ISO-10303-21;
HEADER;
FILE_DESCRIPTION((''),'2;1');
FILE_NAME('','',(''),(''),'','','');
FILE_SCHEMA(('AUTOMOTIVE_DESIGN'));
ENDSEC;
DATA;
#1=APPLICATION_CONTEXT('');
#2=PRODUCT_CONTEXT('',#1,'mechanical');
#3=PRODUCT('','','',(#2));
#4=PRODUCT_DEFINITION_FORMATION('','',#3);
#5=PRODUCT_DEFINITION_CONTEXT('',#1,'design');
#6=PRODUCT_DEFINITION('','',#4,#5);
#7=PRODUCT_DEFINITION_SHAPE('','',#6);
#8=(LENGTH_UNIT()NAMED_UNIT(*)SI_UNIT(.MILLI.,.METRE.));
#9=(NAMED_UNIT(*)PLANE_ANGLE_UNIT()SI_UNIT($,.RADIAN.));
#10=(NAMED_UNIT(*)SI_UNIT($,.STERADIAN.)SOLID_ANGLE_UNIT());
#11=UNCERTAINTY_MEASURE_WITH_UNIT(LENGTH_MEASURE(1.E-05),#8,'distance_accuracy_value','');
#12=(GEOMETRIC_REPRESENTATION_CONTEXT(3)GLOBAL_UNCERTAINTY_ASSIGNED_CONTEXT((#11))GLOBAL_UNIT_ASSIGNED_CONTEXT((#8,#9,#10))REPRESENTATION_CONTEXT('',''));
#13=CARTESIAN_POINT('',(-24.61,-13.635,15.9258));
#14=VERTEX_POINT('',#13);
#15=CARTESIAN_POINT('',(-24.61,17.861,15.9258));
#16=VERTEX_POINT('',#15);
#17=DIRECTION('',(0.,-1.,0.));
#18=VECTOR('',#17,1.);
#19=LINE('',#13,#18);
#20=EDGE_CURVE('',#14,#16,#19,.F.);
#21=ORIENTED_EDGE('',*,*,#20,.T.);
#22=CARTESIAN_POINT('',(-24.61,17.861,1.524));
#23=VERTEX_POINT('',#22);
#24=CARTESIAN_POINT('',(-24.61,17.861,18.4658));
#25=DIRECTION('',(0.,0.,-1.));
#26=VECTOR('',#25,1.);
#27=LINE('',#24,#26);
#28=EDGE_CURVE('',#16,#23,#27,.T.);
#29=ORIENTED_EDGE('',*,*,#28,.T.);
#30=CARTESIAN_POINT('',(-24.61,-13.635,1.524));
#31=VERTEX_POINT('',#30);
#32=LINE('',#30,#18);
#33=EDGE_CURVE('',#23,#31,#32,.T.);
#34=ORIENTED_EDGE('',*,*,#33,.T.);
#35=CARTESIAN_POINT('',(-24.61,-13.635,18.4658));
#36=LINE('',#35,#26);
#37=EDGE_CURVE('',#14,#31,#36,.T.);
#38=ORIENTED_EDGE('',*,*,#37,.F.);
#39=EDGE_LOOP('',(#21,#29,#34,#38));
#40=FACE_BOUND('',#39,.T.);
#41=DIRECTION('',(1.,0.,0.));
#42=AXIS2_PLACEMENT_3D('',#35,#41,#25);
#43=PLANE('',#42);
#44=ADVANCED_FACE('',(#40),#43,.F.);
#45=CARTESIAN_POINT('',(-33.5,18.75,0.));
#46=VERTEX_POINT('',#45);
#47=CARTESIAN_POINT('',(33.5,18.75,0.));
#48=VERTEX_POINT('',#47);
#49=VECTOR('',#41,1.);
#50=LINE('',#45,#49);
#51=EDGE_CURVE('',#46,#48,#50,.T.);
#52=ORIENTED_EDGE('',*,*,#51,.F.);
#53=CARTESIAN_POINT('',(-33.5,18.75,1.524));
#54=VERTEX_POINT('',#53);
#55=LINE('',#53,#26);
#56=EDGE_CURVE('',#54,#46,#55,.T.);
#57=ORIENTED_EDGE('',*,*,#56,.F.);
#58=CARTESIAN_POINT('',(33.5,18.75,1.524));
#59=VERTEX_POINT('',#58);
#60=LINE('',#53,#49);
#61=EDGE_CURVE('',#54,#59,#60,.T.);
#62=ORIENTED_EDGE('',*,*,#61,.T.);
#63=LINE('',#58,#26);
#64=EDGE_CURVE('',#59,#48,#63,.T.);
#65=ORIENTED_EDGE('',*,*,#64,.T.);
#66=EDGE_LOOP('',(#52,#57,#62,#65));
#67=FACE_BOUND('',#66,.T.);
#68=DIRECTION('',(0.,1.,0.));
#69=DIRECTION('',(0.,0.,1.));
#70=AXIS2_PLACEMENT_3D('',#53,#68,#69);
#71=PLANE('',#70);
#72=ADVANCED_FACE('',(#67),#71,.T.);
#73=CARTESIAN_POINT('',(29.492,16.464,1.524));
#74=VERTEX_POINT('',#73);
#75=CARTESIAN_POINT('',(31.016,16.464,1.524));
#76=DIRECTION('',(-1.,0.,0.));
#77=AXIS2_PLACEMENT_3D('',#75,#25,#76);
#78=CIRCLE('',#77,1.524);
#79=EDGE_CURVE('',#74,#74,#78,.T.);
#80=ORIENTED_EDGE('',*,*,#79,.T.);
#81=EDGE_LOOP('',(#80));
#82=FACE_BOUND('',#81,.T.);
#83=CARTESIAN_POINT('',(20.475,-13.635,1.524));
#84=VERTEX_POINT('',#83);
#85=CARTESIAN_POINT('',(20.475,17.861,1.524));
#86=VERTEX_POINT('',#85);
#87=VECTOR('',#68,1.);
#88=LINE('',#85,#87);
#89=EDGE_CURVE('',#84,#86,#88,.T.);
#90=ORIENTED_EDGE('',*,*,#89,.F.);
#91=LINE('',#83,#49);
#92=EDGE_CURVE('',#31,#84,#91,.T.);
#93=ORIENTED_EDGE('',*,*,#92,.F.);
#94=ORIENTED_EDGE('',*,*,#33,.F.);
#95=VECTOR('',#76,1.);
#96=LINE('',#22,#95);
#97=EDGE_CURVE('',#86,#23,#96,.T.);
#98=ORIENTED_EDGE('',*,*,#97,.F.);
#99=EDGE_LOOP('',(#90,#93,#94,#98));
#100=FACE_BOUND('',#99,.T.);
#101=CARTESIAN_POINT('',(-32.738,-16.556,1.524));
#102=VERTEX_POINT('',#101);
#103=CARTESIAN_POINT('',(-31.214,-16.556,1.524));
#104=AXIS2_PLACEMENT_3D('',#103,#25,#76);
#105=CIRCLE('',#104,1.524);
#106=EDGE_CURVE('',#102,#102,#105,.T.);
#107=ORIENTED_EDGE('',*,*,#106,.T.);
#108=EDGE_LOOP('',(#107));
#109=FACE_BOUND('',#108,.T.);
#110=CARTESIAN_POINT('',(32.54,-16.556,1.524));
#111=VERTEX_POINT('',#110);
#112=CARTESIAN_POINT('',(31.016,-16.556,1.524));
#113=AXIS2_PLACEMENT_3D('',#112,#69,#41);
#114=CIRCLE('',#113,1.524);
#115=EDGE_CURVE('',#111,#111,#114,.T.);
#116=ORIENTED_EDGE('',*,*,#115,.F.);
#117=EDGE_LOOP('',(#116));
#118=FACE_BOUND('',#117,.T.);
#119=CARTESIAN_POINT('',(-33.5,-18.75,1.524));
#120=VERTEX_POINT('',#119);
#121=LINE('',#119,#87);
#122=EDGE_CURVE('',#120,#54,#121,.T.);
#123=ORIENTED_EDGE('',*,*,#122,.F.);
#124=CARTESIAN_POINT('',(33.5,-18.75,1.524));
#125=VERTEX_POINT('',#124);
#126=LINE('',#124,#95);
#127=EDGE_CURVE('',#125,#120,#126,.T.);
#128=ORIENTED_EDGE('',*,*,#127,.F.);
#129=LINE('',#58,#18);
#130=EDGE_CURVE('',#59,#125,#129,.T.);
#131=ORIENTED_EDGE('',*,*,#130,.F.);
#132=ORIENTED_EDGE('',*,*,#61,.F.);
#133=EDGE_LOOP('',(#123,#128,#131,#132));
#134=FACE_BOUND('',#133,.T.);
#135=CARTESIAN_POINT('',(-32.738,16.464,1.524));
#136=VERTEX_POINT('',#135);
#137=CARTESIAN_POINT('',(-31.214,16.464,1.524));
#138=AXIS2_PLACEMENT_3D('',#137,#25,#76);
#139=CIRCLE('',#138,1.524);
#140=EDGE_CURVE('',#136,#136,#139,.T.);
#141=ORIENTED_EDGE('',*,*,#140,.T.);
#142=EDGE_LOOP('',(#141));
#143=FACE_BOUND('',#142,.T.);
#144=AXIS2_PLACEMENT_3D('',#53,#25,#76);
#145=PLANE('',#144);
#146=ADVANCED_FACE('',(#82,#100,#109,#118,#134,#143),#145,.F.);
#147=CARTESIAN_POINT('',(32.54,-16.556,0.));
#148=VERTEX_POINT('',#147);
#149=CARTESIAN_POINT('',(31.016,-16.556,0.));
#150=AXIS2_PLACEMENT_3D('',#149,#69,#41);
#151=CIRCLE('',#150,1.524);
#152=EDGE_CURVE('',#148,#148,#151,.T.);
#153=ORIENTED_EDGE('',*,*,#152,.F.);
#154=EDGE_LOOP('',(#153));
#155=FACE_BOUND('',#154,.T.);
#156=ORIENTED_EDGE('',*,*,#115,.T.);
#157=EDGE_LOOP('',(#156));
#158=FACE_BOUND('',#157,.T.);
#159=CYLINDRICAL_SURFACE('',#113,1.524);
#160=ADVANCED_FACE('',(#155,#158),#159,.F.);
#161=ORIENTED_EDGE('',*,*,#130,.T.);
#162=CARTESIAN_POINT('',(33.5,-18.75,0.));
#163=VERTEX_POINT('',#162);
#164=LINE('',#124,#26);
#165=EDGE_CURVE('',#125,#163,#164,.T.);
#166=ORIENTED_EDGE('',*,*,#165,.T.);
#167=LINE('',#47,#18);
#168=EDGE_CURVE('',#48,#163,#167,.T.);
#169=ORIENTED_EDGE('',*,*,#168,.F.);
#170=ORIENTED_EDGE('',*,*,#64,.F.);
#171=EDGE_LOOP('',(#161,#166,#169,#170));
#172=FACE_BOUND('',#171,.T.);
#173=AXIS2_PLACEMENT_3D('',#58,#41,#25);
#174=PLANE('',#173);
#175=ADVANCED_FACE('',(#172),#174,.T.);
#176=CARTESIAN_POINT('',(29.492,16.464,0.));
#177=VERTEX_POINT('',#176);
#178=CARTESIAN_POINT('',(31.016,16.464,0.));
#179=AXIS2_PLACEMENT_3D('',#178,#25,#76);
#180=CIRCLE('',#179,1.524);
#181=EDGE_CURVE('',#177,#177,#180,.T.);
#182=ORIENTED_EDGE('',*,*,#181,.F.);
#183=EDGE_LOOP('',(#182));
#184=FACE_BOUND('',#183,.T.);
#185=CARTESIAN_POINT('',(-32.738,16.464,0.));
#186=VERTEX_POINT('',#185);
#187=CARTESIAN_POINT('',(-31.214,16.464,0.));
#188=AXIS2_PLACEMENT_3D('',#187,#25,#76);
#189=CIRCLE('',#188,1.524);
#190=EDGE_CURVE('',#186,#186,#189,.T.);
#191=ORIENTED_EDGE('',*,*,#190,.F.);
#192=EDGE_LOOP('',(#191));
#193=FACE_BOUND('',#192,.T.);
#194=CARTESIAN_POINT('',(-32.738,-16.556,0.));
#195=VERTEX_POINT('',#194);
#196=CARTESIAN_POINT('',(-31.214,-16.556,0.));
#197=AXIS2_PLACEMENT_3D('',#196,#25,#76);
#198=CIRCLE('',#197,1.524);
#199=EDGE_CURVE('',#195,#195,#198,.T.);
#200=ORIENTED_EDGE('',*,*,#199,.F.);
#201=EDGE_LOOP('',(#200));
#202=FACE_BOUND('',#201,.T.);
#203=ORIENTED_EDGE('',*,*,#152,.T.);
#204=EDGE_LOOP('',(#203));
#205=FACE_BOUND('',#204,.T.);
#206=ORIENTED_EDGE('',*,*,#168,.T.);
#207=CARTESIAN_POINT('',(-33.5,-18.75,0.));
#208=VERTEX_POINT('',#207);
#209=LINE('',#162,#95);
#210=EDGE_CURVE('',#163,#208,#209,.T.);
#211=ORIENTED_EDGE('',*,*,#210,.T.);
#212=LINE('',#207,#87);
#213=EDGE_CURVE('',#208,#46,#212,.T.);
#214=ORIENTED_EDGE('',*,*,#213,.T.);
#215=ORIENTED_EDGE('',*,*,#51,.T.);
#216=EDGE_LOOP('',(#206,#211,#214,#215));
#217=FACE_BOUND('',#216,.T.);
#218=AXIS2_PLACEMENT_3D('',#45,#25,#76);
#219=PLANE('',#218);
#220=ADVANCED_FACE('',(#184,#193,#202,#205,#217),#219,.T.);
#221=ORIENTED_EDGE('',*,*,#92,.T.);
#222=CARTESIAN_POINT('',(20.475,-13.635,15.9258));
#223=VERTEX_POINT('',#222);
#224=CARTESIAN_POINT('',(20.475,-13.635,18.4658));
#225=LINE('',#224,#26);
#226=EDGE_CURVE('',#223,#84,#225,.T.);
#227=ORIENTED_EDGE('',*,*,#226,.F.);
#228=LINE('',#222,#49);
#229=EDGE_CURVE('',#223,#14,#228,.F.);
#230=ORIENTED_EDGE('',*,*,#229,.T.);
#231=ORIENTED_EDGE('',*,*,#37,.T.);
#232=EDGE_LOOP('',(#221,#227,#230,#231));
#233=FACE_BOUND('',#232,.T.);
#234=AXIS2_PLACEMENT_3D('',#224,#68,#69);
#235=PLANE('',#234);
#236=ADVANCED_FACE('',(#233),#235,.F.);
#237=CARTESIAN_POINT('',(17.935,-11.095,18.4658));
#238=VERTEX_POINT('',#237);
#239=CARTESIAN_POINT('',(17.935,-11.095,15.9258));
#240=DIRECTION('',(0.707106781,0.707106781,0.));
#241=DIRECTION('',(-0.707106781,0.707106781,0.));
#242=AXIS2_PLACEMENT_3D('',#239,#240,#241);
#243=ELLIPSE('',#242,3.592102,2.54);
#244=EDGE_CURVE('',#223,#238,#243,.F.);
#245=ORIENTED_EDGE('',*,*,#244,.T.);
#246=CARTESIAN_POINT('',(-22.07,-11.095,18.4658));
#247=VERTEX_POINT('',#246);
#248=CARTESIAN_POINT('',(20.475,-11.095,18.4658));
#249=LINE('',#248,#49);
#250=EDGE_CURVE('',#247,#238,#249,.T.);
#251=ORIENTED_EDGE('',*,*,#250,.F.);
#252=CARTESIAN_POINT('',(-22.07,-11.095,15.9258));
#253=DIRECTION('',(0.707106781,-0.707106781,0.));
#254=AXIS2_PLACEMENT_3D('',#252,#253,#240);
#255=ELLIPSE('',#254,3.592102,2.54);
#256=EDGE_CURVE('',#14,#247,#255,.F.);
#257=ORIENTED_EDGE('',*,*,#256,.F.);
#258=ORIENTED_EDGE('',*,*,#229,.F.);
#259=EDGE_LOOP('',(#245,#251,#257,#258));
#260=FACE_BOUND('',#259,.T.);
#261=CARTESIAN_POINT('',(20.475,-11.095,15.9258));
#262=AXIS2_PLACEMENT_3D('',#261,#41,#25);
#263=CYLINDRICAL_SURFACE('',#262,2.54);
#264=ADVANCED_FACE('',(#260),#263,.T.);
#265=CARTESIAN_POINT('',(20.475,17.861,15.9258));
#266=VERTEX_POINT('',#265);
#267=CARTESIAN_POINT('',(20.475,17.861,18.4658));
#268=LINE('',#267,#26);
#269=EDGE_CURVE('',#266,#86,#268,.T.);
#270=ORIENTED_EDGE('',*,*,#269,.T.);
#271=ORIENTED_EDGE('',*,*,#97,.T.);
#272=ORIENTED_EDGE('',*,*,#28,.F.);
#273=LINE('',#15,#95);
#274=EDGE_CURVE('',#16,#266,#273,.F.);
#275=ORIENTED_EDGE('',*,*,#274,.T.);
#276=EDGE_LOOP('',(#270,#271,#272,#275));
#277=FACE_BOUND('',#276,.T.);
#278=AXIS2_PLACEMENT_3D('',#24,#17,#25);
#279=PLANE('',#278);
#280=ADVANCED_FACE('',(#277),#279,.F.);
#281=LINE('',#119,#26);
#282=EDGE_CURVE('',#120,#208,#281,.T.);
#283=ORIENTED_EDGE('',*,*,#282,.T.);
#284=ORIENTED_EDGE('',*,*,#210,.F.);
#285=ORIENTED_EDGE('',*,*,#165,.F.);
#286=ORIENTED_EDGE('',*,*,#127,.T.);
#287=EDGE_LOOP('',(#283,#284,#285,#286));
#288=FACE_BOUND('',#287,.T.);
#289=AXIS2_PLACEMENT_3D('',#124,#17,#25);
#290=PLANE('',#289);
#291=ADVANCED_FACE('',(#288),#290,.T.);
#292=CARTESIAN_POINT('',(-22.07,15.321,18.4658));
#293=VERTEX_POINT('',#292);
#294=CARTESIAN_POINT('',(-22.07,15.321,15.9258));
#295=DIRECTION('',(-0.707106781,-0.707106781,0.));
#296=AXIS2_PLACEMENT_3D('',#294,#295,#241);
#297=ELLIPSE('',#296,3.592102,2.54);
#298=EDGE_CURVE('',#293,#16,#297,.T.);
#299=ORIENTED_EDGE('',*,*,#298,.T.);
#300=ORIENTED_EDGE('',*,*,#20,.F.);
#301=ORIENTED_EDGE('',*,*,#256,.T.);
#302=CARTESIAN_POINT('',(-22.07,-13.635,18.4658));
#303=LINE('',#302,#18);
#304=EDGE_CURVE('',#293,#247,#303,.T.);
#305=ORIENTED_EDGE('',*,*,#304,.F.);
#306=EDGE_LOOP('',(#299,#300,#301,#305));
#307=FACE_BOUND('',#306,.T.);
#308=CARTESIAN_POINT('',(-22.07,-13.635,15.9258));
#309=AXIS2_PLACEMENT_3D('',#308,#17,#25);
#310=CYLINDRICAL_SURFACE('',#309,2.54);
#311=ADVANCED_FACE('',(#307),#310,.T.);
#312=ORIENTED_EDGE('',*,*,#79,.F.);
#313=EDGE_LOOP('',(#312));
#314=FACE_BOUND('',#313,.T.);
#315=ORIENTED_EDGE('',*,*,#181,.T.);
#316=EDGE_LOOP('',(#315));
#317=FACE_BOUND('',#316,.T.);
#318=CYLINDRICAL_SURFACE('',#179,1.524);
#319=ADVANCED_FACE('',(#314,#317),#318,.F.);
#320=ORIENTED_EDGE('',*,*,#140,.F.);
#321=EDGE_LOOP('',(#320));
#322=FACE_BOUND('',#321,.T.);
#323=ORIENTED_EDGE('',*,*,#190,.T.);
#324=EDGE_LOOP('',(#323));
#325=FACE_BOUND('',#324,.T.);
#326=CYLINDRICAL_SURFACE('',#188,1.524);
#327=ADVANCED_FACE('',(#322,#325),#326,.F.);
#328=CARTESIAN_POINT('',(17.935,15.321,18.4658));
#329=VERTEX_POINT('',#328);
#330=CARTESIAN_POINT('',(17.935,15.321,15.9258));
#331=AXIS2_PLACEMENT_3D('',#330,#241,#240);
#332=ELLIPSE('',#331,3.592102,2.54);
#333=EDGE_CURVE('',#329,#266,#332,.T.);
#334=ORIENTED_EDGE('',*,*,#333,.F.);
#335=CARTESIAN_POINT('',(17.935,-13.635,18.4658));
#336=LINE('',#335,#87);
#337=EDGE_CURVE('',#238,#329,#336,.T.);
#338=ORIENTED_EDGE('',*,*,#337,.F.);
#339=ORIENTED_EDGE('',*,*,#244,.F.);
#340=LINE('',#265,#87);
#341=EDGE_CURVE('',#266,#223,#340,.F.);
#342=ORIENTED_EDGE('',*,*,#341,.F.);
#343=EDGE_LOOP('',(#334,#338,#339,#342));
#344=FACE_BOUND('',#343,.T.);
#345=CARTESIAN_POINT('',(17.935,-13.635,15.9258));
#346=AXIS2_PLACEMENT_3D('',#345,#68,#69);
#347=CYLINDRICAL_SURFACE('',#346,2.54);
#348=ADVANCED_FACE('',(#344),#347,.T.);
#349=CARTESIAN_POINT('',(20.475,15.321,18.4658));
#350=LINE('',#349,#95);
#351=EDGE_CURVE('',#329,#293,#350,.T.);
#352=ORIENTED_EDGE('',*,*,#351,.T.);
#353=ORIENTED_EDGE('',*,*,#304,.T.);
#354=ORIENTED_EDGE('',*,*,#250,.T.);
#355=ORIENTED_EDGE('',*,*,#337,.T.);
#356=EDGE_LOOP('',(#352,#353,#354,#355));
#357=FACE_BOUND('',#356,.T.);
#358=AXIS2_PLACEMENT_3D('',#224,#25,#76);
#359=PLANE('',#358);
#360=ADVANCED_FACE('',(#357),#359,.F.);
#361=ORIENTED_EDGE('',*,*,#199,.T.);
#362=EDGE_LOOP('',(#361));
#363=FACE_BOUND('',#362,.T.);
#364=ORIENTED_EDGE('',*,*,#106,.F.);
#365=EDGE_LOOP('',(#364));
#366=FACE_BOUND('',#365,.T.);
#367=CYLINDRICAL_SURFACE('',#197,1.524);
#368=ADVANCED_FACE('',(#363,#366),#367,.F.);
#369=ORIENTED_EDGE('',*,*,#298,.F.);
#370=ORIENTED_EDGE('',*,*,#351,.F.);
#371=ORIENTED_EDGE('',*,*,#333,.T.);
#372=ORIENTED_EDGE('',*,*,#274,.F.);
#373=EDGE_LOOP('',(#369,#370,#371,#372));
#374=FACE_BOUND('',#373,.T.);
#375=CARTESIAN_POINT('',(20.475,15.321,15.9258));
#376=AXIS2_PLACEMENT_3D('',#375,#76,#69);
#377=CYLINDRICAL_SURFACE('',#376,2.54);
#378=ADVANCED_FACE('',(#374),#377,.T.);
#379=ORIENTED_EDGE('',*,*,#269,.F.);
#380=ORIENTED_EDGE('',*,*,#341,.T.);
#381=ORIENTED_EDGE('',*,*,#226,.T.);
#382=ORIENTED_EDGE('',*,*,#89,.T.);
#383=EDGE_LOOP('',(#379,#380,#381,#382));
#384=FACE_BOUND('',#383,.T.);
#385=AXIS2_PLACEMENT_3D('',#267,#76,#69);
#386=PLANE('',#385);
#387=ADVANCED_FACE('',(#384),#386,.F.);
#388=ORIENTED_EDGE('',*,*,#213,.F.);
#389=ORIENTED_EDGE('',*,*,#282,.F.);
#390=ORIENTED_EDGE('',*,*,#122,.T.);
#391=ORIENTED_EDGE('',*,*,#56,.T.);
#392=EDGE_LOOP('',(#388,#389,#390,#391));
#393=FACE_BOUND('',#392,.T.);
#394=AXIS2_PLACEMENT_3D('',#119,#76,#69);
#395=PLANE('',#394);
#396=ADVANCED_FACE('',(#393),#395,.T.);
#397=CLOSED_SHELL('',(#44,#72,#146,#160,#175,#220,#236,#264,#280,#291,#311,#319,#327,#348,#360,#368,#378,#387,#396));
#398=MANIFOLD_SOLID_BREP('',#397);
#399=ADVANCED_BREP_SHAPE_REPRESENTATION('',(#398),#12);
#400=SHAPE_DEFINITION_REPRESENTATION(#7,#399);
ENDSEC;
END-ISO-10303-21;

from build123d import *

# Parameters (mm, degrees)
SKETCH1_W           = 67.00000001
SKETCH1_H           = 37.49999993
BOSS_EXTRUDE1_DEPTH = 1.524
SKETCH2_W           = 45.085000006
SKETCH2_H           = 31.496000001
BOSS_EXTRUDE2_DEPTH = 16.9418
HOLE1_D             = 3.048
HOLE2_D             = 3.048
HOLE2_DEPTH         = 18.4658
HOLE3_D             = 3.048
HOLE3_DEPTH         = 18.4658
HOLE4_D             = 3.048
HOLE4_DEPTH         = 18.4658
FILLET1_R           = 2.54


with BuildPart() as part:
    # Sketch1 → Boss-Extrude1 (new body)
    with BuildSketch(Plane(origin=(0, 0, 0), x_dir=(-1, 0, 0), z_dir=(0, 0, -1))):
        Rectangle(SKETCH1_W, SKETCH1_H)
    extrude(amount=-BOSS_EXTRUDE1_DEPTH)

    # Sketch2 → Boss-Extrude2 (add)
    with BuildSketch(Plane.XY.offset(1.524)):
        with Locations((-2.067500005, 2.112999961)):
            Rectangle(SKETCH2_W, SKETCH2_H)
    extrude(amount=BOSS_EXTRUDE2_DEPTH)

    # Hole1 (through all)
    with Locations(Plane.XY.offset(1.524)):
        with Locations((31.015999995, -16.556000035)):
            Hole(HOLE1_D / 2)

    # Hole2
    with Locations(Plane(origin=(0, 0, 0), x_dir=(-1, 0, 0), z_dir=(0, 0, -1))):
        with Locations((31.214000005, -16.556000035)):
            Hole(HOLE2_D / 2, depth=HOLE2_DEPTH)

    # Hole3
    with Locations(Plane(origin=(0, 0, 0), x_dir=(-1, 0, 0), z_dir=(0, 0, -1))):
        with Locations((-31.015999995, 16.463999965)):
            Hole(HOLE3_D / 2, depth=HOLE3_DEPTH)

    # Hole4
    with Locations(Plane(origin=(0, 0, 0), x_dir=(-1, 0, 0), z_dir=(0, 0, -1))):
        with Locations((31.214000005, 16.463999965)):
            Hole(HOLE4_D / 2, depth=HOLE4_DEPTH)

    # Fillet1
    fillet1_edges = [part.edges().sort_by_distance(p)[0] for p in [
        (20.474999998, 2.112999962, 18.4658),
        (-2.067500005, 17.860999962, 18.4658),
        (-24.610000008, 2.112999962, 18.4658),
        (-2.067500005, -13.635000039, 18.4658),
    ]]
    fillet(fillet1_edges, radius=FILLET1_R)


solid = part.part
